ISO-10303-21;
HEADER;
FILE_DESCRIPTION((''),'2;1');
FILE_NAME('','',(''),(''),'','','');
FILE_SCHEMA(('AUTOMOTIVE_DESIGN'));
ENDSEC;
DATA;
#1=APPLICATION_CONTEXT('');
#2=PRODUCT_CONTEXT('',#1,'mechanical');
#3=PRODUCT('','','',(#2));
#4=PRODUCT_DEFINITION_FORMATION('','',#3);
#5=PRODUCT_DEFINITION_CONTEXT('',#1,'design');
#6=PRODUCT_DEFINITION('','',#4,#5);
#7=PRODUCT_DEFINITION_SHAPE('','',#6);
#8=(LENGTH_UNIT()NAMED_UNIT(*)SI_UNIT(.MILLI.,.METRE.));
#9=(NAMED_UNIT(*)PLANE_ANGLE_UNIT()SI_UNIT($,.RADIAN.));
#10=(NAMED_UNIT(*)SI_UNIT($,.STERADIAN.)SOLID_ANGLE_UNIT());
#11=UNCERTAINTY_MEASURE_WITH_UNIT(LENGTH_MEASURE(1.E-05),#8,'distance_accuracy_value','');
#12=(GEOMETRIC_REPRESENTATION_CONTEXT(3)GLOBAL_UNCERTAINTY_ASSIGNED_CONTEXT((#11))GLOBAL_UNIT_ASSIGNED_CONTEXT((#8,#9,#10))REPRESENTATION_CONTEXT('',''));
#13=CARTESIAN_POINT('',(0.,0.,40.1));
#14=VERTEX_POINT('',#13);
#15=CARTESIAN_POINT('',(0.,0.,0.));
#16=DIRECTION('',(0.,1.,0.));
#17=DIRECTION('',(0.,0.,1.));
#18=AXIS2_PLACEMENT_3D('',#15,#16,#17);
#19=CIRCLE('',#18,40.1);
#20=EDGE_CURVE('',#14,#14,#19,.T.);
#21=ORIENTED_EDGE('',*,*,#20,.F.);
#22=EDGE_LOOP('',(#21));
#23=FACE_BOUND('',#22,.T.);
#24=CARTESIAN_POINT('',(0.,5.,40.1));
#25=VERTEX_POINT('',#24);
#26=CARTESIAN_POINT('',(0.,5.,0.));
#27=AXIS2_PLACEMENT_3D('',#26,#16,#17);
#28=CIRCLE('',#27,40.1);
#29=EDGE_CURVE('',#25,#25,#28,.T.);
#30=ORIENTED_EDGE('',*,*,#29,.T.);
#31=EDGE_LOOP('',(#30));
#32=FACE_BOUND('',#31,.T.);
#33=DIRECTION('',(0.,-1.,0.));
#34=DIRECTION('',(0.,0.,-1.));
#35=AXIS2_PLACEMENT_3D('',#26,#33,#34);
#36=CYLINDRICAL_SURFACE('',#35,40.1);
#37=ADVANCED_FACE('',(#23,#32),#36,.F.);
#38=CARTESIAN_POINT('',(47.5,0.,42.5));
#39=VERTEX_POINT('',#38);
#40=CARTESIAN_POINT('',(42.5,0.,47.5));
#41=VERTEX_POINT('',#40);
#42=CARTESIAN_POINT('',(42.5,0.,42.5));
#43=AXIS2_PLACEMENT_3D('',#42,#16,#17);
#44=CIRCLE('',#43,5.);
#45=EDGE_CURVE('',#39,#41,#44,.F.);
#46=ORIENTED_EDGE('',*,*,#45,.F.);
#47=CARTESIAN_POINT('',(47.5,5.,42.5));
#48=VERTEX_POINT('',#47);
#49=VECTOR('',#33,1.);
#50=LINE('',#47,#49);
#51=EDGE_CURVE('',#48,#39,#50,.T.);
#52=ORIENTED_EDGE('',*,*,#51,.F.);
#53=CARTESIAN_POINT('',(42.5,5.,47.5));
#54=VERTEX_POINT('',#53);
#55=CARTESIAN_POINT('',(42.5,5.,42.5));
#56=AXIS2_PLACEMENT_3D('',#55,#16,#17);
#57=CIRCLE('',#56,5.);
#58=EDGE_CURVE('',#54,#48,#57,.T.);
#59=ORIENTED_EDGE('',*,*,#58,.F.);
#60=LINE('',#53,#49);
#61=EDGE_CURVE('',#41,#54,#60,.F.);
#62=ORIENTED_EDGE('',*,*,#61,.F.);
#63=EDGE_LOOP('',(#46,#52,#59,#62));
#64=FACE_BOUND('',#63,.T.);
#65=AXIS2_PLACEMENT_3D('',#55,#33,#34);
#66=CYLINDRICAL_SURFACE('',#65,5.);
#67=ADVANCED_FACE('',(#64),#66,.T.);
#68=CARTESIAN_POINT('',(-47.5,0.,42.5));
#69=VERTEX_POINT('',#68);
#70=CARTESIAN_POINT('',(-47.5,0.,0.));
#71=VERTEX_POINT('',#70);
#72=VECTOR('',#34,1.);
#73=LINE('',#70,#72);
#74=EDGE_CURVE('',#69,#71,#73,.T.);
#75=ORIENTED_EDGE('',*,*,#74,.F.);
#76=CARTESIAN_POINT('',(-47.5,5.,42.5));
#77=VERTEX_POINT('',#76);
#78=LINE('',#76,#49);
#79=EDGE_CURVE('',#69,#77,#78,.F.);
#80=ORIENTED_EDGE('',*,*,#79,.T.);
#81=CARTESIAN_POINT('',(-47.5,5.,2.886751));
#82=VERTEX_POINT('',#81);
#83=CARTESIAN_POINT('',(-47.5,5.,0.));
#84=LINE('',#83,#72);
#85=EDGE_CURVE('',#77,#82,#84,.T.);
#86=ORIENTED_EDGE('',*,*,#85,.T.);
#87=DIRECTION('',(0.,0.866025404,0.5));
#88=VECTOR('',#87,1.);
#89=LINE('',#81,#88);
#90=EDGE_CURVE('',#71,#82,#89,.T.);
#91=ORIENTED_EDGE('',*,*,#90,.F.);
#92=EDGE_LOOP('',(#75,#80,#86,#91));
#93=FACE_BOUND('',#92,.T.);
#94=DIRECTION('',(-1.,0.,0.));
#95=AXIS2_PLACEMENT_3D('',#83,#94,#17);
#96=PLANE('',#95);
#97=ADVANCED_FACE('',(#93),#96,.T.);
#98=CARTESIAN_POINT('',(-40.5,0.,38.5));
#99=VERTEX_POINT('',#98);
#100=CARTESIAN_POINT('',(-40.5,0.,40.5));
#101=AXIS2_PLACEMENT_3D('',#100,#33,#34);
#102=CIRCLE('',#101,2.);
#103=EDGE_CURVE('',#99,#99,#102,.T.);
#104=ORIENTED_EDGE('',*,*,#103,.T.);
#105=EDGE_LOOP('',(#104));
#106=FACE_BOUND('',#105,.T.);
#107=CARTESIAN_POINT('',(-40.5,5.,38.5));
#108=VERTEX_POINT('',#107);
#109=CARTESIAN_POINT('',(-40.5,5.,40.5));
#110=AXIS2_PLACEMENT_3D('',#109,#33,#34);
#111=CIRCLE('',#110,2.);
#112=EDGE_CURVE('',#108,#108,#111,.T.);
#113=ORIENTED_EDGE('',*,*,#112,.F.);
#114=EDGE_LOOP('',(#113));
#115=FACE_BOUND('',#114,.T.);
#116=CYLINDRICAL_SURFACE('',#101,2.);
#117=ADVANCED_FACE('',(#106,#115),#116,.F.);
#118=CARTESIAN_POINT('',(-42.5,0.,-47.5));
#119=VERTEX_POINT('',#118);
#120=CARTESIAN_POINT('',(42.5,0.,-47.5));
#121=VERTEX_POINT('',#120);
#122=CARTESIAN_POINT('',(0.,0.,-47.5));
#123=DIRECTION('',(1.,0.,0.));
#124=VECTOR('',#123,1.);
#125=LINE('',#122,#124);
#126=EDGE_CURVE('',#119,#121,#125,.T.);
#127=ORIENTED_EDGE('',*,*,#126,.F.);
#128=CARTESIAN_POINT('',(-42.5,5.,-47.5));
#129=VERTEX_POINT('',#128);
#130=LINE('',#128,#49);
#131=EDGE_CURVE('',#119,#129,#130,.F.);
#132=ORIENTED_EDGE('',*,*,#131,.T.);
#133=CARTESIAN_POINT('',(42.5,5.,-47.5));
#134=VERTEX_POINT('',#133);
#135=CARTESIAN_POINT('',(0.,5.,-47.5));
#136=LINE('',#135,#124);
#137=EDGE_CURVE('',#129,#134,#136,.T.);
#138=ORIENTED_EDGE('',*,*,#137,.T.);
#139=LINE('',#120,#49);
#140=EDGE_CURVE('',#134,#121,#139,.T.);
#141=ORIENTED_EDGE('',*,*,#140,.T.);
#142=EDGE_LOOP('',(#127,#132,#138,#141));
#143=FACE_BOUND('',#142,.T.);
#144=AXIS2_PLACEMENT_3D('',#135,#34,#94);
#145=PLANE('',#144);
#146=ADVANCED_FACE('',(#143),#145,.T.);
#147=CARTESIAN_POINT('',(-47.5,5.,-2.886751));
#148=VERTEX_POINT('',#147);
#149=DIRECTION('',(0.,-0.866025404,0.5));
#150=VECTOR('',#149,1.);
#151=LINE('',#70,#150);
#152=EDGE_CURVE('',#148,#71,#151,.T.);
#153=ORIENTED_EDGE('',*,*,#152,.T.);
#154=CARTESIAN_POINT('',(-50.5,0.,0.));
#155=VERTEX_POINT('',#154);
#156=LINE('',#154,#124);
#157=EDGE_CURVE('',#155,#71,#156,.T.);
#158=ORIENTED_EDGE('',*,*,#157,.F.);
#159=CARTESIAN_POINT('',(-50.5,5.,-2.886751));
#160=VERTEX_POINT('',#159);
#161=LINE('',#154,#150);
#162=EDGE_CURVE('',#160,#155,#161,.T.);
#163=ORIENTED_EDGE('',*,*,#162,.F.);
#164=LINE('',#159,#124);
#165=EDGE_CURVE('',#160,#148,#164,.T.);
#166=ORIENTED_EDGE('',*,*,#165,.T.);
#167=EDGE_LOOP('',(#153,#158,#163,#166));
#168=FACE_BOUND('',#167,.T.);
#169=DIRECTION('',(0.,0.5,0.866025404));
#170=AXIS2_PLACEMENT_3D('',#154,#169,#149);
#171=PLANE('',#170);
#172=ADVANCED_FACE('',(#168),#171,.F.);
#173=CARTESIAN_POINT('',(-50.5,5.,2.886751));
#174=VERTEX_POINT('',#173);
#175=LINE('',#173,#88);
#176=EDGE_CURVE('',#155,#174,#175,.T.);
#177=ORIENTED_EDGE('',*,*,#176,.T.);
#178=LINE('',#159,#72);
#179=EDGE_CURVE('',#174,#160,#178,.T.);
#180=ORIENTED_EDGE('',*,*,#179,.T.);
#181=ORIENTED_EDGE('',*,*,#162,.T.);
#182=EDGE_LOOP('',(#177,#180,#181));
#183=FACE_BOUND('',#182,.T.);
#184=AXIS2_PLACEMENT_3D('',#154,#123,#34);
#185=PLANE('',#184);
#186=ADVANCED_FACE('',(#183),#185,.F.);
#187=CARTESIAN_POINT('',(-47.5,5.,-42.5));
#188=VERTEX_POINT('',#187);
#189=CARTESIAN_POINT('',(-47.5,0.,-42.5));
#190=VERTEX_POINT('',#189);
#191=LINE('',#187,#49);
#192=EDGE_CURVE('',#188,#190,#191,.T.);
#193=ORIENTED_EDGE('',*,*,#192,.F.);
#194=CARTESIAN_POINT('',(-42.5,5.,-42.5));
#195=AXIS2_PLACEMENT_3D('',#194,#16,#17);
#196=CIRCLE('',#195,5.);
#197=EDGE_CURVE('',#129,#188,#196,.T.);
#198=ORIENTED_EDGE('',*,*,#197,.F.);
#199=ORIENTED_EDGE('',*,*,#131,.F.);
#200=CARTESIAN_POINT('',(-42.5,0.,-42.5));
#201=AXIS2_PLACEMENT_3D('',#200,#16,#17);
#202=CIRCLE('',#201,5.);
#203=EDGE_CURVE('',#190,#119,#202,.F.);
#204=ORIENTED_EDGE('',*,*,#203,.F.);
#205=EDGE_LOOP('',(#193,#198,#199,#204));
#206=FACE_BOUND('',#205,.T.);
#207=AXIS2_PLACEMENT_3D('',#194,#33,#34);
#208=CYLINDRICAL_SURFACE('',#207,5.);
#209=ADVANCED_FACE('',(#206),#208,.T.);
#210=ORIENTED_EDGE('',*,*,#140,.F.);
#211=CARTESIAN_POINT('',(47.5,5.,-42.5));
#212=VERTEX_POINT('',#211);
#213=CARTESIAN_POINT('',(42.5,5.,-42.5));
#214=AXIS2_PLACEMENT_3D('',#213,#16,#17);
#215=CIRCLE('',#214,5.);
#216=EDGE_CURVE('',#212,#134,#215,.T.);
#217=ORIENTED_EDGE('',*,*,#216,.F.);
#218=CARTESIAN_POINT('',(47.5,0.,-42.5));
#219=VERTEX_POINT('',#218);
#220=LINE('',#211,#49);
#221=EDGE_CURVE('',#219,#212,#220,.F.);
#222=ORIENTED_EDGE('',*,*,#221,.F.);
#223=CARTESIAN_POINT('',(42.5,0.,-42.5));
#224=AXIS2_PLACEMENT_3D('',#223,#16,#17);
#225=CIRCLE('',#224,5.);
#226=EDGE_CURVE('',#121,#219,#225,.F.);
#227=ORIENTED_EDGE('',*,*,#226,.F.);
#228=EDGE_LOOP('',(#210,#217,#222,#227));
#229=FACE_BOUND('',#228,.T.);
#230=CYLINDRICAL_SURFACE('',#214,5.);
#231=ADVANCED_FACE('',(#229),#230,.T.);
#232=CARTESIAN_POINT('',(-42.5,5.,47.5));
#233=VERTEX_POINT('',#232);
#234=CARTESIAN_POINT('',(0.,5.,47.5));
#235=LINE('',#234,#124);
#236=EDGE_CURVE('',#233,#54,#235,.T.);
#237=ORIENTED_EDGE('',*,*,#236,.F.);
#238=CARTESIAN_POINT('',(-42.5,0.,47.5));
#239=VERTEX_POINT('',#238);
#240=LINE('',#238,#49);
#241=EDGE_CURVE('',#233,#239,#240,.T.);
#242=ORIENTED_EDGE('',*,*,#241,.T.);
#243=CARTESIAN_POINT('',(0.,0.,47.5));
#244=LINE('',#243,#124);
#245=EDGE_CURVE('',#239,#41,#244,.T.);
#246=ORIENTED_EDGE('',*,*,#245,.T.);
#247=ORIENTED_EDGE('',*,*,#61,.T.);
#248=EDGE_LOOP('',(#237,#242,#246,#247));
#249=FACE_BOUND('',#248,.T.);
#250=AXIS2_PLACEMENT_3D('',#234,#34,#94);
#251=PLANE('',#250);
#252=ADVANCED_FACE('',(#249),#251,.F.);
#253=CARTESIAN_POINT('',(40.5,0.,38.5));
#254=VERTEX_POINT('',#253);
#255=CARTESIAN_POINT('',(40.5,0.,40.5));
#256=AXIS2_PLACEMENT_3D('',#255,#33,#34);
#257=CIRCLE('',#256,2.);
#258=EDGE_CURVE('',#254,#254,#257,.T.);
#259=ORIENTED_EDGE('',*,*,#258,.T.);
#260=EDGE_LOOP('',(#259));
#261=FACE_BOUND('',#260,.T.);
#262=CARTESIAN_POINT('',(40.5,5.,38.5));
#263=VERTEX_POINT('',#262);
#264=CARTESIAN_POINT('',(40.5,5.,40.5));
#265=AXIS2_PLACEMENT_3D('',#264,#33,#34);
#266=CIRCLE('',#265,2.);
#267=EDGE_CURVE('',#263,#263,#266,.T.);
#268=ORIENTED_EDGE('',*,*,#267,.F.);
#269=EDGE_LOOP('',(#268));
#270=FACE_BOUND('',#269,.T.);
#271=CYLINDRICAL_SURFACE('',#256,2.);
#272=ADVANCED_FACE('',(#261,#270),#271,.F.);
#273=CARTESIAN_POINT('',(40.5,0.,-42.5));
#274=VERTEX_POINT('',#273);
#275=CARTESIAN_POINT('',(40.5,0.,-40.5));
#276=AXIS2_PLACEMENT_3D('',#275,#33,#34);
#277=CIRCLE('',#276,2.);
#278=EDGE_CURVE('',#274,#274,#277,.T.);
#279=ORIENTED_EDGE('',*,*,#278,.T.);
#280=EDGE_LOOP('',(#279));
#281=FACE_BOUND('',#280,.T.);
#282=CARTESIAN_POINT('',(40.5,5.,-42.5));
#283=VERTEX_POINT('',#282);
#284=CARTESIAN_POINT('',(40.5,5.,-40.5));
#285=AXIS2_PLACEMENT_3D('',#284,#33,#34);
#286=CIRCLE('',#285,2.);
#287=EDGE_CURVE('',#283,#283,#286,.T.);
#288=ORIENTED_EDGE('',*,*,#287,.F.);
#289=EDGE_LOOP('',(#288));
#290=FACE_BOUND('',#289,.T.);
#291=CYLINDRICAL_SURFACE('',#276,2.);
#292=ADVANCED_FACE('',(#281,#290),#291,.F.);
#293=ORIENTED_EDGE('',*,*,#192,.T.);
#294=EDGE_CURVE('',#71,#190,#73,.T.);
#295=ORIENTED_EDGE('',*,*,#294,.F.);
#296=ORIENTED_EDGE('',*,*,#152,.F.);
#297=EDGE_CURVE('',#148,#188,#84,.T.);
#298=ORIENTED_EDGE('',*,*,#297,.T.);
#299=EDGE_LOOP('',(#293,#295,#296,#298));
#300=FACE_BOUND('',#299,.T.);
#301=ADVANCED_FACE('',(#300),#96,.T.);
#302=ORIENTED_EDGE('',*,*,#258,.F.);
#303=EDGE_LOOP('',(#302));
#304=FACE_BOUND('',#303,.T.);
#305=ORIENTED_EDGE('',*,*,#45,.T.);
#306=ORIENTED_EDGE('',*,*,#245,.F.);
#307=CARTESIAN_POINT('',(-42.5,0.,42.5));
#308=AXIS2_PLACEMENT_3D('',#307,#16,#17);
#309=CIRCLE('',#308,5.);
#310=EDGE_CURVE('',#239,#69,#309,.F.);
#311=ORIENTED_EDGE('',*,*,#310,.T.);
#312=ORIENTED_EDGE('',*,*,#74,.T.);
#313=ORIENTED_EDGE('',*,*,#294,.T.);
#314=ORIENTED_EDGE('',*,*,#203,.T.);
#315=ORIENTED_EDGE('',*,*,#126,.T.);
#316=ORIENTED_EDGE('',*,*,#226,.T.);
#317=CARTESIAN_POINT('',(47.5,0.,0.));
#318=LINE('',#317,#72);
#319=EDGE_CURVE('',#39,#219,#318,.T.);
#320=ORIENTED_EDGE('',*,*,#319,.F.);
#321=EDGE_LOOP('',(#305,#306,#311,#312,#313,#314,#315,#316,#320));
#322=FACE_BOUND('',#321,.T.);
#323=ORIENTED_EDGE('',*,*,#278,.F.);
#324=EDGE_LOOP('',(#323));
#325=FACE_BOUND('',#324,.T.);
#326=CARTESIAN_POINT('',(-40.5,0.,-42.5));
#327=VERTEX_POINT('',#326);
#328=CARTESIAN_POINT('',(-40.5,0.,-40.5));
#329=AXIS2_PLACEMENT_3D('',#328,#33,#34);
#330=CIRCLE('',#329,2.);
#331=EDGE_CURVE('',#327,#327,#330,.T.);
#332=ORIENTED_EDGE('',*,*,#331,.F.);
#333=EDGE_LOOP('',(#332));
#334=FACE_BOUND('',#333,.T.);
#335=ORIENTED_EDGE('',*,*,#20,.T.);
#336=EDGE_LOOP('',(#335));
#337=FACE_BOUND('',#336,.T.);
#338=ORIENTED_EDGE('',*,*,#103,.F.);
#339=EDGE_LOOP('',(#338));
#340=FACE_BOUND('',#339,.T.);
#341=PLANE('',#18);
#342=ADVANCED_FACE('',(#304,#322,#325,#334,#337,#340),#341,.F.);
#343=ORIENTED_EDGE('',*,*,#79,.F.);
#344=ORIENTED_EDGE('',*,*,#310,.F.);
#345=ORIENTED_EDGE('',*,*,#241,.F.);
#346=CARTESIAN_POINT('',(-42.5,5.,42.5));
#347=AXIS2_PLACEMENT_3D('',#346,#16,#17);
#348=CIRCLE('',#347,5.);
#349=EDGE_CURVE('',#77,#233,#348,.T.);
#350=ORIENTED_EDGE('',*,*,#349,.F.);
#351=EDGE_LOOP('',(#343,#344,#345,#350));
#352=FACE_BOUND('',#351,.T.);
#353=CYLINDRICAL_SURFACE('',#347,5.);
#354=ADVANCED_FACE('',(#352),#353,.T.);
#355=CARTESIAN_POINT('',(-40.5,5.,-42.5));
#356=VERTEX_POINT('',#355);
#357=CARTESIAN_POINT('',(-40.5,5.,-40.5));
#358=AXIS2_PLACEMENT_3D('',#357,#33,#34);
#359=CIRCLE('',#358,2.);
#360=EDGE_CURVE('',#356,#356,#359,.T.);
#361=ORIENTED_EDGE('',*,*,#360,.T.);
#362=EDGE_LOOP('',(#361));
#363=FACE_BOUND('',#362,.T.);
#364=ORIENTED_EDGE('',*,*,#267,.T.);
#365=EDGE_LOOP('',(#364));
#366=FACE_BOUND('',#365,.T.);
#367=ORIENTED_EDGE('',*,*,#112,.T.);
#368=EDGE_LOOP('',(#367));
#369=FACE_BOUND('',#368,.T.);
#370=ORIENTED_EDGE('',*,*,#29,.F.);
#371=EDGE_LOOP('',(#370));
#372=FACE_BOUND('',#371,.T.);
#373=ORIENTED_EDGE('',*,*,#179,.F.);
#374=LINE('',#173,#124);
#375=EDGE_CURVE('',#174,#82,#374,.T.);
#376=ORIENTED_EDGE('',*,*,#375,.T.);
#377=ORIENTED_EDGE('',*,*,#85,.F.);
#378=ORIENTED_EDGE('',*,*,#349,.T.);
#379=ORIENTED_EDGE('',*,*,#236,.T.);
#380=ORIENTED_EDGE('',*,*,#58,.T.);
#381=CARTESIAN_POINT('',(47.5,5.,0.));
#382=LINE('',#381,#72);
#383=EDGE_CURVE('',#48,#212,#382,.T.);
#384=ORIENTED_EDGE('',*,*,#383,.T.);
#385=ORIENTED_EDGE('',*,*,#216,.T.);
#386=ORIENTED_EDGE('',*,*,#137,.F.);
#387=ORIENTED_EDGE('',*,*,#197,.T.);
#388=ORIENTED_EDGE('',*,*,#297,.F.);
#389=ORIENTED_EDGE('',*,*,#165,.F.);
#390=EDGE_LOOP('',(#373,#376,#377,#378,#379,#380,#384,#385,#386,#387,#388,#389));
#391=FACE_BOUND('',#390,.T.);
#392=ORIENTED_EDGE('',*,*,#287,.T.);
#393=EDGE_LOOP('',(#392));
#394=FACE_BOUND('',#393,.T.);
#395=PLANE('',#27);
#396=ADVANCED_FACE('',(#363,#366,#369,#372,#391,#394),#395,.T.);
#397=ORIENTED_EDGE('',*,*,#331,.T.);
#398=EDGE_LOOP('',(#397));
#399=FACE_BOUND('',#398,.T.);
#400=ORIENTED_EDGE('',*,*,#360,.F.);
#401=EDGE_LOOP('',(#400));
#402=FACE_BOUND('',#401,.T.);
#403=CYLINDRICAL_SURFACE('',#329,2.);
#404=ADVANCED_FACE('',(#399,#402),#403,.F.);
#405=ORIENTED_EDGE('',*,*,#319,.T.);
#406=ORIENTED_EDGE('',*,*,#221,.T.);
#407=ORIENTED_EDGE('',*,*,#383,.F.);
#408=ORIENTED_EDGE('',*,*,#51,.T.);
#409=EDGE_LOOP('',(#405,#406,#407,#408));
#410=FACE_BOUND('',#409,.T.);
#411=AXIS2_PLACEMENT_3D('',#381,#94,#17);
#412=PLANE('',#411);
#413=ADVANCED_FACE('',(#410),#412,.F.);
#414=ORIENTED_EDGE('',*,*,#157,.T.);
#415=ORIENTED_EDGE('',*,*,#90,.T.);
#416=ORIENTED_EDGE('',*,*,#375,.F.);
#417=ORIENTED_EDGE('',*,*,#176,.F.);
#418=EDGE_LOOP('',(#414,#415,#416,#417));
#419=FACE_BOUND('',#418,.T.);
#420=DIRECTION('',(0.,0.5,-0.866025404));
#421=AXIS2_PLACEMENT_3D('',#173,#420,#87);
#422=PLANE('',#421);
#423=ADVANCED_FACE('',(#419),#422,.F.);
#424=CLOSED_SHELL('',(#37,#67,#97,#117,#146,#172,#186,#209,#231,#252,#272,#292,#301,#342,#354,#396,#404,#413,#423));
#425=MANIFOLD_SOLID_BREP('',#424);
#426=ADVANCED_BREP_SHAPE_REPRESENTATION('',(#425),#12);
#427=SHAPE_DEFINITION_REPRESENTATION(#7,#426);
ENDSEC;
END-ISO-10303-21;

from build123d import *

# Parameters (mm, degrees)
SKETCH1_W             = 95
SKETCH1_H             = 95
SKETCH1_W_2           = 81
SKETCH1_H_2           = 81
SKETCH1_R             = 40.1
BOSS_EXTRUDE1_DEPTH   = 5
F_4_0MM_DOWEL_HOLE1_D = 4
BOSS_EXTRUDE2_DEPTH   = 3
FILLET1_R             = 5


with BuildPart() as part:
    # Sketch1 → Boss-Extrude1 (new body)
    # profile 1 of 2: a face of its own
    with BuildSketch(Plane(origin=(0, 0, 0), x_dir=(1, 0, 0), z_dir=(0, 1, 0))):
        Rectangle(SKETCH1_W, SKETCH1_H)
        Rectangle(SKETCH1_W_2, SKETCH1_H_2, mode=Mode.SUBTRACT)
    # profile 2 of 2: a face of its own
    with BuildSketch(Plane(origin=(0, 0, 0), x_dir=(1, 0, 0), z_dir=(0, 1, 0))):
        Rectangle(SKETCH1_W_2, SKETCH1_H_2)
        with Locations(Location((0, 0, 0), (0, 0, 270))):
            Circle(SKETCH1_R, mode=Mode.SUBTRACT)
    extrude(amount=BOSS_EXTRUDE1_DEPTH)

    # Ø4.0mm Dowel Hole1 (through all)
    with Locations(Plane(origin=(0, 0, 0), x_dir=(-1, 0, 0), z_dir=(0, -1, 0))):
        with Locations((40.5, -40.5), (-40.5, -40.5), (-40.5, 40.5), (40.5, 40.5)):
            Hole(F_4_0MM_DOWEL_HOLE1_D / 2)

    # Sketch5 → Boss-Extrude2 (add)
    with BuildSketch(Plane.ZY.offset(47.5)):
        Polygon((0, 0), (-2.886751346, 5), (2.886751346, 5), align=None)
    extrude(amount=BOSS_EXTRUDE2_DEPTH)

    # Fillet1
    fillet1_edges = [part.edges().sort_by_distance(p)[0] for p in [
        (-47.5, 2.5, 47.5),
        (-47.5, 2.5, -47.5),
        (47.5, 2.5, -47.5),
        (47.5, 2.5, 47.5),
    ]]
    fillet(fillet1_edges, radius=FILLET1_R)


solid = part.part
